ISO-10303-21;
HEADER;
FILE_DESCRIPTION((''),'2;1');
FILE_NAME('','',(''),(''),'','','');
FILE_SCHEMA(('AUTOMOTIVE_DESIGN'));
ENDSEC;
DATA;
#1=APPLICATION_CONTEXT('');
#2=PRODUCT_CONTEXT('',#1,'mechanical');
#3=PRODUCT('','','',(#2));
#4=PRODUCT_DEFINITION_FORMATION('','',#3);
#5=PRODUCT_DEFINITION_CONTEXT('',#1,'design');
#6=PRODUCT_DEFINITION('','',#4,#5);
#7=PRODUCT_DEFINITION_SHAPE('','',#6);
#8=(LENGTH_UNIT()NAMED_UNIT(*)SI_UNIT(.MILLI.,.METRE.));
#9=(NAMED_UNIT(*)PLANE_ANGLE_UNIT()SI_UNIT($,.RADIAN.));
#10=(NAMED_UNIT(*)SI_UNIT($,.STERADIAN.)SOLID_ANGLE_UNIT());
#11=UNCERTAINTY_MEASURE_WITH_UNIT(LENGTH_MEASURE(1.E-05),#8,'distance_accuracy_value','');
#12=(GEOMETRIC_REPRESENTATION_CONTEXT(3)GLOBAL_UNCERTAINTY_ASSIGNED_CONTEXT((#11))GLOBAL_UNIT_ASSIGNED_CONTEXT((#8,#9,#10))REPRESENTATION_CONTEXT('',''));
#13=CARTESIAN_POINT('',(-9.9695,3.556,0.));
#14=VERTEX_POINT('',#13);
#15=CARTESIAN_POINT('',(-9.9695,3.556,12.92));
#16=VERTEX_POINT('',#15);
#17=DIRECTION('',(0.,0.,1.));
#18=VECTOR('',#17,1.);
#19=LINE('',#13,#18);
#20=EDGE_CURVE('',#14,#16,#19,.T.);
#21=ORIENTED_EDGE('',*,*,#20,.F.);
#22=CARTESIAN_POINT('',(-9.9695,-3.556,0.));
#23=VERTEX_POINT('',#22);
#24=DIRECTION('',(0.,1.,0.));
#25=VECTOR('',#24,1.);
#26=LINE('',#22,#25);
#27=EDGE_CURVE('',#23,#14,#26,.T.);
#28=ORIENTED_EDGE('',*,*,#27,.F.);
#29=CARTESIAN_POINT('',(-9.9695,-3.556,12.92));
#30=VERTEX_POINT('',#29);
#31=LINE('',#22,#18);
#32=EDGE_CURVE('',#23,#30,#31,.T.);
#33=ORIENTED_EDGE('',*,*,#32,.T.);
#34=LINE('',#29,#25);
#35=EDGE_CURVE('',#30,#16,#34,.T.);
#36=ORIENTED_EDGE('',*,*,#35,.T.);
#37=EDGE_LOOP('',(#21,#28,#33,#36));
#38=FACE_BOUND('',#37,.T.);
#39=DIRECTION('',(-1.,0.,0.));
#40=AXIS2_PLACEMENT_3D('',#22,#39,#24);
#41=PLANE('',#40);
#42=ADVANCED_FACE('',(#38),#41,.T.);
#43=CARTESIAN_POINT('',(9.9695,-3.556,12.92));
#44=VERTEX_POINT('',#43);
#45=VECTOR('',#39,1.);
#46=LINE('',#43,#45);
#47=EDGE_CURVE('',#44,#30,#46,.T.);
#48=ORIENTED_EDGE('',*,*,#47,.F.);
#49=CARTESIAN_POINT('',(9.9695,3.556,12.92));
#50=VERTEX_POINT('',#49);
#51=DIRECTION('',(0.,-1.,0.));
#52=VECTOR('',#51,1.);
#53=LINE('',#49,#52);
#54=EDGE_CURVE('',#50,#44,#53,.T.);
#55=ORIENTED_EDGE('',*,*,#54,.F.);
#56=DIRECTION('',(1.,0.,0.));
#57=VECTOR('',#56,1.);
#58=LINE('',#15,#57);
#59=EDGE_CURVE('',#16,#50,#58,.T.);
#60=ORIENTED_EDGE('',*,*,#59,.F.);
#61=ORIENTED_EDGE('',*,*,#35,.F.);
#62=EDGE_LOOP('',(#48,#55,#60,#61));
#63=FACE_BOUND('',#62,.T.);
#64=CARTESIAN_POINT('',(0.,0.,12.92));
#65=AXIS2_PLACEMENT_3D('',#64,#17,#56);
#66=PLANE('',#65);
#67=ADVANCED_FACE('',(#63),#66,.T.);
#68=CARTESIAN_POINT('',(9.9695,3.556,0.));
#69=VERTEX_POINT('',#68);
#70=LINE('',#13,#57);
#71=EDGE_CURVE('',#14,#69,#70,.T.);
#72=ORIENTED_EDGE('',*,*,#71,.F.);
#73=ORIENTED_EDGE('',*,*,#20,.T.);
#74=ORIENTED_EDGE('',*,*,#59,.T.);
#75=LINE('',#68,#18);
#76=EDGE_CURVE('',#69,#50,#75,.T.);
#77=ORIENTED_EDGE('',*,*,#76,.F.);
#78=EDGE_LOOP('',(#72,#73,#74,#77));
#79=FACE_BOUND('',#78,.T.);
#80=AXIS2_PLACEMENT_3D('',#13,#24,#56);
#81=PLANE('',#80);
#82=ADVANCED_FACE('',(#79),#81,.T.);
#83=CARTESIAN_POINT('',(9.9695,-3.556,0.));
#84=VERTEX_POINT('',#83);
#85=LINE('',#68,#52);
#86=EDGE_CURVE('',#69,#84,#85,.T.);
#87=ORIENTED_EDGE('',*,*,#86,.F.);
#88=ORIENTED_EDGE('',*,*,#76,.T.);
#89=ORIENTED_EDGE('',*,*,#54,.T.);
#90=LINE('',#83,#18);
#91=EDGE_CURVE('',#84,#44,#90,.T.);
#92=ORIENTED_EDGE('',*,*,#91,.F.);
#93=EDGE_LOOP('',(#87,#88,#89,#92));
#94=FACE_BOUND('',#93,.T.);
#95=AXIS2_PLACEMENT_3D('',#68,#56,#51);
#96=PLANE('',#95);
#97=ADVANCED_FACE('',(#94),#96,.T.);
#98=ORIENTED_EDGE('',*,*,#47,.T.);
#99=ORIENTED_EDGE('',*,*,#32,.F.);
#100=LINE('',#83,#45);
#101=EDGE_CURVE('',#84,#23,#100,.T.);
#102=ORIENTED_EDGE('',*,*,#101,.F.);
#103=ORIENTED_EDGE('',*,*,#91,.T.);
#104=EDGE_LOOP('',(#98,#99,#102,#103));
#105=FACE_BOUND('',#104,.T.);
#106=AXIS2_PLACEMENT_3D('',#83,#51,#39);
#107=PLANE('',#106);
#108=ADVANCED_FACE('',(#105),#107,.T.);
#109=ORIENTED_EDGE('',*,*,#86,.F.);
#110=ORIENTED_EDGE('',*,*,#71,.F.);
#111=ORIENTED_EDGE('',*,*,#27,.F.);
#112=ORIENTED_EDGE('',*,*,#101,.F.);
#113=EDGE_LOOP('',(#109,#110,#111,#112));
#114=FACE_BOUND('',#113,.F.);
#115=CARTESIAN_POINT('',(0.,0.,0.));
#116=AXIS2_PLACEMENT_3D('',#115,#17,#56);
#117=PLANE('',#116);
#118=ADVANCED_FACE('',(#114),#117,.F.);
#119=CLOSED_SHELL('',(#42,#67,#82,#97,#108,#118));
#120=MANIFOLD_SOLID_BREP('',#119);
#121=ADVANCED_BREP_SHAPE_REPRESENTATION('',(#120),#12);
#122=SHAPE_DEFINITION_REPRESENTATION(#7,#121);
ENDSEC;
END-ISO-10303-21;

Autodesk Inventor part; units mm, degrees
ref_plane "YZ Plane" through (0, 0, 0) normal (1, 0, 0) x (0, 1, 0)
ref_plane "XZ Plane" through (0, 0, 0) normal (0, 1, 0) x (-1, 0, 0)
ref_plane "XY Plane" through (0, 0, 0) normal (0, 0, 1) x (1, 0, 0)
sketch "3557, 3557-2_76" plane through (0, 0, 0) normal (0, 0, 1) x (1, 0, 0)
  line L0 (-9.9695, -3.556) -> (-9.9695, 3.556)
  line L1 (-9.9695, 3.556) -> (9.9695, 3.556)
  line L2 (9.9695, 3.556) -> (9.9695, -3.556)
  line L3 (9.9695, -3.556) -> (-9.9695, -3.556)
extrude "Extrusion1" add sketch "3557, 3557-2_76" along normal blind 12.92
properties part number "3557-2"
